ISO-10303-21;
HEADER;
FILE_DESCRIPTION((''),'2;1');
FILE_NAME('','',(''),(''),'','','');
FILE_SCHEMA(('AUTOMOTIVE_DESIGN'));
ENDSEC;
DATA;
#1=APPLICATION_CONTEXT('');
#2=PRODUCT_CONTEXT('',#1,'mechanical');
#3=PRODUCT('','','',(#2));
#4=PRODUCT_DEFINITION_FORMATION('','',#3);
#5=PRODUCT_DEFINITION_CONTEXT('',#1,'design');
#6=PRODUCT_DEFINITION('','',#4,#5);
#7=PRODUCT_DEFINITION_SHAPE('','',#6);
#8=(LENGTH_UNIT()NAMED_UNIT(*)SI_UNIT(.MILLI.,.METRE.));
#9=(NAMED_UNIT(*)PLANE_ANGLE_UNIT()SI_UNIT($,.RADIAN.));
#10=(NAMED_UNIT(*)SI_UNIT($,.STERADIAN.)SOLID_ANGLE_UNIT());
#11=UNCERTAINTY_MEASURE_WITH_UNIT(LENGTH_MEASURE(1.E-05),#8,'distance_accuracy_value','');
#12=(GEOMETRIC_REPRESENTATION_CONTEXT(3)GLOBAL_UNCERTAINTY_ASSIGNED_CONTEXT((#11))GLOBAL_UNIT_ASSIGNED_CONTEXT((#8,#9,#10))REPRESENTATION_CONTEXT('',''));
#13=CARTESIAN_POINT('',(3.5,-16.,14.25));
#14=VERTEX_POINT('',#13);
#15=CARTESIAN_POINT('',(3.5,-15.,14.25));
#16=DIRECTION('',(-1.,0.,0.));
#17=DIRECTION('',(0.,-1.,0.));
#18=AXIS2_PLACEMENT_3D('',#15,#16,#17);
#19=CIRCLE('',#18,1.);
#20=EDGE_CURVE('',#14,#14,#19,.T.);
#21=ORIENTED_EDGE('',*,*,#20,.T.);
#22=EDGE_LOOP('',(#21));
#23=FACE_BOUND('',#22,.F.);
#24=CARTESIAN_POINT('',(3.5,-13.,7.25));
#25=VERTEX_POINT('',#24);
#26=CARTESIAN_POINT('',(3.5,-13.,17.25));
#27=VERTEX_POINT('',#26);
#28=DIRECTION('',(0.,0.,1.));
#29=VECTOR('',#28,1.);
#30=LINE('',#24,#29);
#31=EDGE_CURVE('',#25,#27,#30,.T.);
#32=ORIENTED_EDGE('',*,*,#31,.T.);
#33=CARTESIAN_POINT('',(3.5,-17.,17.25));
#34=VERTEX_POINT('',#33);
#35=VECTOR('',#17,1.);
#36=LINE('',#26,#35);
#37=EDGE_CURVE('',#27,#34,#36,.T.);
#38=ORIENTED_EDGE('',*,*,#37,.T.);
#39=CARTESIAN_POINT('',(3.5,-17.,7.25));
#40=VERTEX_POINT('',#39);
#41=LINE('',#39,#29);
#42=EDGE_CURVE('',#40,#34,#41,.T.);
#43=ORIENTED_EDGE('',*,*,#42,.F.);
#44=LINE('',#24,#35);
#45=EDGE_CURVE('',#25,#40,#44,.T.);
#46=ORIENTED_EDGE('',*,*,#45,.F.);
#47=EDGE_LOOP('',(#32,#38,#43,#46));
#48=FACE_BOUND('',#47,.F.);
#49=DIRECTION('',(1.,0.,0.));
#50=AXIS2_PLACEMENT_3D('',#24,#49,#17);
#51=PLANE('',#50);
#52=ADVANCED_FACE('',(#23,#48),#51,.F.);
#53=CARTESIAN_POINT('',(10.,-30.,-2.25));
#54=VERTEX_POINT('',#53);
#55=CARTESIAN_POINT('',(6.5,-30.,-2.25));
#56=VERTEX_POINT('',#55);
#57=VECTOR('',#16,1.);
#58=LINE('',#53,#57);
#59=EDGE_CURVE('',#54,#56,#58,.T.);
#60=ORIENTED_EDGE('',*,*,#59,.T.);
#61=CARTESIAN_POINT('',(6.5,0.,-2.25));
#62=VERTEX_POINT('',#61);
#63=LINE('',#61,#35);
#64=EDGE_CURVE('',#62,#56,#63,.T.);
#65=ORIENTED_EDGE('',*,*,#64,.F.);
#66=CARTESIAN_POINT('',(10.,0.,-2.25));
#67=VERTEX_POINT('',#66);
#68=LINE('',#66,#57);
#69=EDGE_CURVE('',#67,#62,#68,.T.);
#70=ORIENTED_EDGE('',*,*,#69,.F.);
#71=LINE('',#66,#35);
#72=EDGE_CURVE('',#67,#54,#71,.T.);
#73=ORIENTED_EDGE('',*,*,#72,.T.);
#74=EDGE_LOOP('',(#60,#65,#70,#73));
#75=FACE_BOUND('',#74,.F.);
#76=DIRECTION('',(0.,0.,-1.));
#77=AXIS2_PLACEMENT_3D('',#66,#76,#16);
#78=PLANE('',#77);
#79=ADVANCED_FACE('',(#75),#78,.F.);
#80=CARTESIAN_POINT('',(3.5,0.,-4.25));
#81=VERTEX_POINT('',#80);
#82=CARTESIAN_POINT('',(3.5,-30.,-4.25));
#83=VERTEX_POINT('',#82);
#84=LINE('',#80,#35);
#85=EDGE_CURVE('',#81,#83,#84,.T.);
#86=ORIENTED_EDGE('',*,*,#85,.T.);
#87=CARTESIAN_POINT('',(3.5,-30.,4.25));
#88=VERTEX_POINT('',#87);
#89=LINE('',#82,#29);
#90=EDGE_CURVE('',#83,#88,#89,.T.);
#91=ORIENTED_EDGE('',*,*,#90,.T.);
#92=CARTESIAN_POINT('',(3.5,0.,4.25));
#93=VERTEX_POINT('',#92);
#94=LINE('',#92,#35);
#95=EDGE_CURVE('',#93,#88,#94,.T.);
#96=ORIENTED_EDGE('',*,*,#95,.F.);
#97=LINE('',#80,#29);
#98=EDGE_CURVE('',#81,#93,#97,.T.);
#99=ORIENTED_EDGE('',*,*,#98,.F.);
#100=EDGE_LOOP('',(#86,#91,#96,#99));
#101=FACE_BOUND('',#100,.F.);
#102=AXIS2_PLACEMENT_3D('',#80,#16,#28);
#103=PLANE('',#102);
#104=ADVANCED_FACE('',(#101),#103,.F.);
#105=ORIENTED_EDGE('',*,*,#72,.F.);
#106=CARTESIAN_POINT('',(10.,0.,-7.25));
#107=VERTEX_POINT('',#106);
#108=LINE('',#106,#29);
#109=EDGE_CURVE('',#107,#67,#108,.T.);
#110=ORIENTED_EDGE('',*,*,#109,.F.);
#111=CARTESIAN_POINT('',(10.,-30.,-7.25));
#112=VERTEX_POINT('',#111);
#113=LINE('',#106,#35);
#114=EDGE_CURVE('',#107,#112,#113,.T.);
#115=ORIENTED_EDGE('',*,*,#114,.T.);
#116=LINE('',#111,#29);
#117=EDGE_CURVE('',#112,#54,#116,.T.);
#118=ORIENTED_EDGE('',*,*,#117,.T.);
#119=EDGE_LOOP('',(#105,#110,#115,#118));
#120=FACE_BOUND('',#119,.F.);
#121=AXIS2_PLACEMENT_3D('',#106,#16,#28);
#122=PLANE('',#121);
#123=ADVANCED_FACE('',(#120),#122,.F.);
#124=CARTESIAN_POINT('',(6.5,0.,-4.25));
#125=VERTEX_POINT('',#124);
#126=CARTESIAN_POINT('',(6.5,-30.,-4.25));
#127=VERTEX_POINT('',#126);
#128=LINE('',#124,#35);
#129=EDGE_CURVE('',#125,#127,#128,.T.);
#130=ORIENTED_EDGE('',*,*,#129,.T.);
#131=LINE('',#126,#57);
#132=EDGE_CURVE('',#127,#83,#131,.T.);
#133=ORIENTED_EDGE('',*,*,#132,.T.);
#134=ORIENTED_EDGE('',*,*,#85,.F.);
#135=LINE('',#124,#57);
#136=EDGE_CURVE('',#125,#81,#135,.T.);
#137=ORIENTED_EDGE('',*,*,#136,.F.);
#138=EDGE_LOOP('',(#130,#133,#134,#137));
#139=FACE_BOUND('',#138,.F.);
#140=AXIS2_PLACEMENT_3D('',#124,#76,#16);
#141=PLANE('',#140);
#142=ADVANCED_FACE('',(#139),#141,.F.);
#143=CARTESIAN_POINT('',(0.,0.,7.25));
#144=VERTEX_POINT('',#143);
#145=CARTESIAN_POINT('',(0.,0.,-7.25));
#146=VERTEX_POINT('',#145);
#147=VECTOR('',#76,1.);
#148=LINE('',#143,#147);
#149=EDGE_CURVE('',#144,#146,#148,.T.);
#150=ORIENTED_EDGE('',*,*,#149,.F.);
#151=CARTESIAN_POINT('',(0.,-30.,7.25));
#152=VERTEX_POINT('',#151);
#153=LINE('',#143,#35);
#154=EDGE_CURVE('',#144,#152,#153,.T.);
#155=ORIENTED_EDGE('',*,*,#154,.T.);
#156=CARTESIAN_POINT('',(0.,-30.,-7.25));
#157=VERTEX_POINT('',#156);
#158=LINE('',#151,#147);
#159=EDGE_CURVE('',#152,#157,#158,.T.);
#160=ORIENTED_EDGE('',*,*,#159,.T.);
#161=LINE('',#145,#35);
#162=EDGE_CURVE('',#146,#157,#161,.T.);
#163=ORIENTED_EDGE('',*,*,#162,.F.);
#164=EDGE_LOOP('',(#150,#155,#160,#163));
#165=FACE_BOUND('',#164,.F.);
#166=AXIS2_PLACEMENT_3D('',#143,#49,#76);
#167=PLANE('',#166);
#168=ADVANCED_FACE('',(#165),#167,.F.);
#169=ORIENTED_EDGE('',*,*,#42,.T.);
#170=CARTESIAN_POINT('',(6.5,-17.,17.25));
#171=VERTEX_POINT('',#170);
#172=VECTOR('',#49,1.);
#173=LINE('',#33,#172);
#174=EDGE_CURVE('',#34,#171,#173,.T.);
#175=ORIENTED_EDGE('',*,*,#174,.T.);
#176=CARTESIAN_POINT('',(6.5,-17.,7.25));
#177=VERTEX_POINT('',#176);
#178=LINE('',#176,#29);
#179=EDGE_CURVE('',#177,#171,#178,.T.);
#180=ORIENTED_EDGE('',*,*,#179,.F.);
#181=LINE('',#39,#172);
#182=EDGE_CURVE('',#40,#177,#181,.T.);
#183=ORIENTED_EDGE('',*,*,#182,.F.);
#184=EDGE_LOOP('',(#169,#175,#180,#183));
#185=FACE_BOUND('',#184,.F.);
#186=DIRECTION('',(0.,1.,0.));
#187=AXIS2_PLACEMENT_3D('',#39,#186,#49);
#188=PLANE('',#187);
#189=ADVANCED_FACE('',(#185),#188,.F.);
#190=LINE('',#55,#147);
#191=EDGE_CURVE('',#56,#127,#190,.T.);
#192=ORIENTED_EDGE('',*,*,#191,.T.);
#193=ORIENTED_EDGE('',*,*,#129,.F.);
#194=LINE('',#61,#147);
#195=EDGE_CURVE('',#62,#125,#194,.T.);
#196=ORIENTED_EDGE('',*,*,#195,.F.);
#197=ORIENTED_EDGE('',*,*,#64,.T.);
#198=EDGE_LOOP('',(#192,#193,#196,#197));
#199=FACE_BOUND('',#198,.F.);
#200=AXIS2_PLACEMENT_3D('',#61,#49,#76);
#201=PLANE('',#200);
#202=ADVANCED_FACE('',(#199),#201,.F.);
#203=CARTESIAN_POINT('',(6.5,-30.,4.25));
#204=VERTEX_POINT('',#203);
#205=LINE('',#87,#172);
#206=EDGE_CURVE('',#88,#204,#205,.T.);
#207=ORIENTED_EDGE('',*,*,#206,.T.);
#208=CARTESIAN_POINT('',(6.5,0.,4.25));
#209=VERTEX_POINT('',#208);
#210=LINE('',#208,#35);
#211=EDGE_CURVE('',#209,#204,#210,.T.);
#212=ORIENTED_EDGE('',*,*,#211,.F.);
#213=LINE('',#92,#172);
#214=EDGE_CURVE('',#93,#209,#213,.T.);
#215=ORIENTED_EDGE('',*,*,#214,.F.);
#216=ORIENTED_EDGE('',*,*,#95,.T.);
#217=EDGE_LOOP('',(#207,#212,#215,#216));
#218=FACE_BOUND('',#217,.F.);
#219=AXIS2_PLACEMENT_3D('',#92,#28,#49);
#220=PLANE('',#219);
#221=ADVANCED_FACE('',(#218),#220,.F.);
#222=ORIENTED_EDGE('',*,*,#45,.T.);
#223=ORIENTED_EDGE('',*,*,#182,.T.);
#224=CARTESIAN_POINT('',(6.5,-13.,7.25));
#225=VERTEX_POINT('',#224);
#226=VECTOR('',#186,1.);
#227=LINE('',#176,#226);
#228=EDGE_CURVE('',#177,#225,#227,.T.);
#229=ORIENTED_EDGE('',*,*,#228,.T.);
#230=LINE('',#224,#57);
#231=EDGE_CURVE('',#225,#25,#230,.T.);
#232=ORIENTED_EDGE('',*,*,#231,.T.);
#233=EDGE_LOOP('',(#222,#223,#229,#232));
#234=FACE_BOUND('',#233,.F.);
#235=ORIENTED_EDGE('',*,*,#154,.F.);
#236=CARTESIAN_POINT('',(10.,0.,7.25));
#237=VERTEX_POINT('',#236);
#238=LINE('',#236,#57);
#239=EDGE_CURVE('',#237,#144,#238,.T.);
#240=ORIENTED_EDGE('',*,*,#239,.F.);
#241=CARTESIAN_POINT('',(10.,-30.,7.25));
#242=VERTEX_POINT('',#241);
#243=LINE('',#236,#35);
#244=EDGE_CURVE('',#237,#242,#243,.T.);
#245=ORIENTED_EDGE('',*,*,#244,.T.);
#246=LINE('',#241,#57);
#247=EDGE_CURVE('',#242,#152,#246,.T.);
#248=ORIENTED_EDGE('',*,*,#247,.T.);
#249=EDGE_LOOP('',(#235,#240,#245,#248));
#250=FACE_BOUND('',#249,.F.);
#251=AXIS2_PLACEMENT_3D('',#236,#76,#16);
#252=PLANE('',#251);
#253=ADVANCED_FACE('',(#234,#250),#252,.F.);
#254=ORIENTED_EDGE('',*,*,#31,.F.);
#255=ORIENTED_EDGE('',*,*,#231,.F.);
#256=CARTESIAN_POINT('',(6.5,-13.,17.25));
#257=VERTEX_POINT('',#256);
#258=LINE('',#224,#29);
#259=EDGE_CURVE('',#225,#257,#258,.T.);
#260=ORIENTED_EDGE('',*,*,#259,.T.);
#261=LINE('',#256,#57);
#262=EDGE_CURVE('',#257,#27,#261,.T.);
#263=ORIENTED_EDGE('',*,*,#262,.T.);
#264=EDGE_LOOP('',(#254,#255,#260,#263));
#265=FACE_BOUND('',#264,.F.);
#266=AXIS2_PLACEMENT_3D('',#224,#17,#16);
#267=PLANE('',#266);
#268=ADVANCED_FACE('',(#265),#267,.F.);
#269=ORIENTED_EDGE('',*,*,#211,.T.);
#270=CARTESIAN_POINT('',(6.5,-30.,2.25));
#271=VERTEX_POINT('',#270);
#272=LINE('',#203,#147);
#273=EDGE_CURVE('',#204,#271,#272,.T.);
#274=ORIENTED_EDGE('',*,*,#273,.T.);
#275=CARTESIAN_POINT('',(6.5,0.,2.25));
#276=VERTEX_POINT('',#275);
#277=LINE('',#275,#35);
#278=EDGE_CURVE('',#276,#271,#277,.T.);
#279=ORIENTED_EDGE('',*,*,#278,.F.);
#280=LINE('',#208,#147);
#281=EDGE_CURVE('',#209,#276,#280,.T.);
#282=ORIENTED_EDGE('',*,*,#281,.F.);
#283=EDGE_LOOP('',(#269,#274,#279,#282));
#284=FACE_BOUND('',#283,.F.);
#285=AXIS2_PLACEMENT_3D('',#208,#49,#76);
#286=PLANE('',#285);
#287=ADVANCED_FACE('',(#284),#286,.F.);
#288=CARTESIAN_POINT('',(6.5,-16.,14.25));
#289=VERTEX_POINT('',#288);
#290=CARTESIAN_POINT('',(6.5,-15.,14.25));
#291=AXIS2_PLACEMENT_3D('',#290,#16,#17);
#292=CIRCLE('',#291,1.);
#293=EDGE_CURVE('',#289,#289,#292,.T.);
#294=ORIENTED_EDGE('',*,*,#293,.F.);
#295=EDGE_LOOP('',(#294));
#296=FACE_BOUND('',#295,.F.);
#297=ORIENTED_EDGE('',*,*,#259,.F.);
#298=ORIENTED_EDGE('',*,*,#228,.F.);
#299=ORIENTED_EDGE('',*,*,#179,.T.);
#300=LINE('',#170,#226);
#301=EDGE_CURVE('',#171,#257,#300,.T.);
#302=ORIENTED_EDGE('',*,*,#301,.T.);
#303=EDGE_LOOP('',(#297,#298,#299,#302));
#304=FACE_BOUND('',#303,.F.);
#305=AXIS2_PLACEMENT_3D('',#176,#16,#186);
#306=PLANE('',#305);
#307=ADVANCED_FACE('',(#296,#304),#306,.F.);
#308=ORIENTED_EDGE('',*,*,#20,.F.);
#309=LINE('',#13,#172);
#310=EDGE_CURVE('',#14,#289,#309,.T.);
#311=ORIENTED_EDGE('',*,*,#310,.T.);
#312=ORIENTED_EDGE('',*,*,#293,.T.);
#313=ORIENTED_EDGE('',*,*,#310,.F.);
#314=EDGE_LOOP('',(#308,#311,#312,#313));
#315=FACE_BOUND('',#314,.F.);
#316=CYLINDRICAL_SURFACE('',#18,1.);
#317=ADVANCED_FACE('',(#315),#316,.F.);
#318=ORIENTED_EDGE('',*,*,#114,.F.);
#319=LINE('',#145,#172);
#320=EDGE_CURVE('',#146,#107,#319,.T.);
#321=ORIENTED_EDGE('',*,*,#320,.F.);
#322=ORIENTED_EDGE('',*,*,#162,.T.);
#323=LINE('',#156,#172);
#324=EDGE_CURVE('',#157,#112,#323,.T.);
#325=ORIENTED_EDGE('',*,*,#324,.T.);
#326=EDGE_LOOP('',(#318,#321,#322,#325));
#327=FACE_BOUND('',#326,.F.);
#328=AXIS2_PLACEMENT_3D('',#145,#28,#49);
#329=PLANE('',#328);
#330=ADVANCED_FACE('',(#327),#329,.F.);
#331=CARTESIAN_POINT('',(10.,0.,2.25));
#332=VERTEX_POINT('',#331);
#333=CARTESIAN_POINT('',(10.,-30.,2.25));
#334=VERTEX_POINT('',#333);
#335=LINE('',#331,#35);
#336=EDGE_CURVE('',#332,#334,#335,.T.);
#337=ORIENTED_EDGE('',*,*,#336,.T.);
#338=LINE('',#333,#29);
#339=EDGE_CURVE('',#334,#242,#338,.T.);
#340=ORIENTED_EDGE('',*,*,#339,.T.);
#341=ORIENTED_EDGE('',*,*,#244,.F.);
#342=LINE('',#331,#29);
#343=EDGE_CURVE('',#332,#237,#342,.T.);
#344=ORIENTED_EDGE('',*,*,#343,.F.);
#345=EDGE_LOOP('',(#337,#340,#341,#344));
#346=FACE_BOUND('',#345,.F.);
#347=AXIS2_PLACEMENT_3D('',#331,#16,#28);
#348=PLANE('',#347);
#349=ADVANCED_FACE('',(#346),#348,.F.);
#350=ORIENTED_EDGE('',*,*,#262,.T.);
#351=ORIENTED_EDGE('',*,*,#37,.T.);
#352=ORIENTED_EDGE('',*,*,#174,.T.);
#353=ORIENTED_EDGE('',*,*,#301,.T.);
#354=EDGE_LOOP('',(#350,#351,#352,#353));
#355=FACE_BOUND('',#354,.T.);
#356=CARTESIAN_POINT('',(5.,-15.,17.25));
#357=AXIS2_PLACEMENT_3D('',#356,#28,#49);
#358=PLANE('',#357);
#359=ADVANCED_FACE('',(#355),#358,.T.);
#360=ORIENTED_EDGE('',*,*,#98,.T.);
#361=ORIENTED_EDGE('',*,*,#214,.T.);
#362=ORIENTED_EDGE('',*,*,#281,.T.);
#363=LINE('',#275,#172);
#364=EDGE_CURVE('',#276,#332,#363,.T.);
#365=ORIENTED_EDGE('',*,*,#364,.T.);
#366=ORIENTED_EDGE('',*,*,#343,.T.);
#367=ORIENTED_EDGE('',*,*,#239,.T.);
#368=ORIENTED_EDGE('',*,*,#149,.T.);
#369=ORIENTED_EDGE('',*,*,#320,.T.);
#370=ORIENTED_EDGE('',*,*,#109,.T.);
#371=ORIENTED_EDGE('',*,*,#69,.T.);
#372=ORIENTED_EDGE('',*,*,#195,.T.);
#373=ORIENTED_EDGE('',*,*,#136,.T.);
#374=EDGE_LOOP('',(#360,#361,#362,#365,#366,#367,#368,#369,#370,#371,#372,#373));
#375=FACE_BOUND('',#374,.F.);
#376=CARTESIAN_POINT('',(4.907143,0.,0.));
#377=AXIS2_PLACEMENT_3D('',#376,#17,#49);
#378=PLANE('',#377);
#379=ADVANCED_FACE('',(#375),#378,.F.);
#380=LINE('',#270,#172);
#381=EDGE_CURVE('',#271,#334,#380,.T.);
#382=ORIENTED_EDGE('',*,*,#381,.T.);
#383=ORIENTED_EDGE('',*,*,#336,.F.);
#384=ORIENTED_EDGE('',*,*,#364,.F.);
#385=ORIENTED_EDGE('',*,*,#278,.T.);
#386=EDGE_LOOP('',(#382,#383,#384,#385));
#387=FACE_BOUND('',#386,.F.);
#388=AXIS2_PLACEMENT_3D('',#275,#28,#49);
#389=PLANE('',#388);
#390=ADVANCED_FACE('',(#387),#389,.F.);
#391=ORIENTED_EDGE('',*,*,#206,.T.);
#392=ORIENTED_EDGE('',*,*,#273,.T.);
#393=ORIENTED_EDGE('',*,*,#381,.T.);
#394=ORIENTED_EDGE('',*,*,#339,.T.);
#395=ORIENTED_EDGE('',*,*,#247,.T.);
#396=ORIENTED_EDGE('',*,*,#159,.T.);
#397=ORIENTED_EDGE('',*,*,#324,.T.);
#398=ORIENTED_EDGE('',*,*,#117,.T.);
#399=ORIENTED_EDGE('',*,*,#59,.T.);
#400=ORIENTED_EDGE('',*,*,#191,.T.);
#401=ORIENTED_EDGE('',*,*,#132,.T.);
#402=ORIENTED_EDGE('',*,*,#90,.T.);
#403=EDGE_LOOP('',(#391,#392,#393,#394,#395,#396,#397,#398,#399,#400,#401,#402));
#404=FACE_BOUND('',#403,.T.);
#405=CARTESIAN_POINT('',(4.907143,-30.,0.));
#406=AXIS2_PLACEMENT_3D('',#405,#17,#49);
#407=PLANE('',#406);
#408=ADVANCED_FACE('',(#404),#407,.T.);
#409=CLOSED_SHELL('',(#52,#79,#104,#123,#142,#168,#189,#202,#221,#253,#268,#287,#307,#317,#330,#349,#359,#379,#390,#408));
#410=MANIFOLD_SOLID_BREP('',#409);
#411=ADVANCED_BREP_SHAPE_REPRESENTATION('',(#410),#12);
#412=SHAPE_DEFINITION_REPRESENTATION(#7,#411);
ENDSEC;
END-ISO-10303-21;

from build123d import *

# Parameters (mm, degrees)
F1_DEPTH = 30
F3_DEPTH = 10
F4_R     = 1
F5_DEPTH = 5


with BuildPart() as f1:
    # F0 (on Front) → F1 (new body)
    with BuildSketch(Plane.XZ):
        Polygon((0, 7.25), (0, 0), (0, -7.25), (10, -7.25), (10, -2.25), (6.5, -2.25), (6.5, -4.25), (3.5, -4.25), (3.5, 0), (3.5, 4.25), (6.5, 4.25), (6.5, 2.25), (10, 2.25), (10, 7.25), align=None)
    extrude(amount=F1_DEPTH)

    # F2 (on face) → F3 (join)
    with BuildSketch(Plane.XY.offset(7.25)):
        Polygon((6.5, -13), (5, -13), (3.5, -13), (3.5, -15), (3.5, -17), (5, -17), (6.5, -17), (6.5, -15), align=None)
    extrude(amount=F3_DEPTH)

    # F4 (on face) → F5 (cut)
    with BuildSketch(Plane(origin=(3.5, 0, 0), x_dir=(0, -1, 0), z_dir=(-1, 0, 0))):
        with Locations((15, 14.25)):
            Circle(F4_R)
    extrude(amount=-F5_DEPTH, mode=Mode.SUBTRACT)


solid = f1.part
